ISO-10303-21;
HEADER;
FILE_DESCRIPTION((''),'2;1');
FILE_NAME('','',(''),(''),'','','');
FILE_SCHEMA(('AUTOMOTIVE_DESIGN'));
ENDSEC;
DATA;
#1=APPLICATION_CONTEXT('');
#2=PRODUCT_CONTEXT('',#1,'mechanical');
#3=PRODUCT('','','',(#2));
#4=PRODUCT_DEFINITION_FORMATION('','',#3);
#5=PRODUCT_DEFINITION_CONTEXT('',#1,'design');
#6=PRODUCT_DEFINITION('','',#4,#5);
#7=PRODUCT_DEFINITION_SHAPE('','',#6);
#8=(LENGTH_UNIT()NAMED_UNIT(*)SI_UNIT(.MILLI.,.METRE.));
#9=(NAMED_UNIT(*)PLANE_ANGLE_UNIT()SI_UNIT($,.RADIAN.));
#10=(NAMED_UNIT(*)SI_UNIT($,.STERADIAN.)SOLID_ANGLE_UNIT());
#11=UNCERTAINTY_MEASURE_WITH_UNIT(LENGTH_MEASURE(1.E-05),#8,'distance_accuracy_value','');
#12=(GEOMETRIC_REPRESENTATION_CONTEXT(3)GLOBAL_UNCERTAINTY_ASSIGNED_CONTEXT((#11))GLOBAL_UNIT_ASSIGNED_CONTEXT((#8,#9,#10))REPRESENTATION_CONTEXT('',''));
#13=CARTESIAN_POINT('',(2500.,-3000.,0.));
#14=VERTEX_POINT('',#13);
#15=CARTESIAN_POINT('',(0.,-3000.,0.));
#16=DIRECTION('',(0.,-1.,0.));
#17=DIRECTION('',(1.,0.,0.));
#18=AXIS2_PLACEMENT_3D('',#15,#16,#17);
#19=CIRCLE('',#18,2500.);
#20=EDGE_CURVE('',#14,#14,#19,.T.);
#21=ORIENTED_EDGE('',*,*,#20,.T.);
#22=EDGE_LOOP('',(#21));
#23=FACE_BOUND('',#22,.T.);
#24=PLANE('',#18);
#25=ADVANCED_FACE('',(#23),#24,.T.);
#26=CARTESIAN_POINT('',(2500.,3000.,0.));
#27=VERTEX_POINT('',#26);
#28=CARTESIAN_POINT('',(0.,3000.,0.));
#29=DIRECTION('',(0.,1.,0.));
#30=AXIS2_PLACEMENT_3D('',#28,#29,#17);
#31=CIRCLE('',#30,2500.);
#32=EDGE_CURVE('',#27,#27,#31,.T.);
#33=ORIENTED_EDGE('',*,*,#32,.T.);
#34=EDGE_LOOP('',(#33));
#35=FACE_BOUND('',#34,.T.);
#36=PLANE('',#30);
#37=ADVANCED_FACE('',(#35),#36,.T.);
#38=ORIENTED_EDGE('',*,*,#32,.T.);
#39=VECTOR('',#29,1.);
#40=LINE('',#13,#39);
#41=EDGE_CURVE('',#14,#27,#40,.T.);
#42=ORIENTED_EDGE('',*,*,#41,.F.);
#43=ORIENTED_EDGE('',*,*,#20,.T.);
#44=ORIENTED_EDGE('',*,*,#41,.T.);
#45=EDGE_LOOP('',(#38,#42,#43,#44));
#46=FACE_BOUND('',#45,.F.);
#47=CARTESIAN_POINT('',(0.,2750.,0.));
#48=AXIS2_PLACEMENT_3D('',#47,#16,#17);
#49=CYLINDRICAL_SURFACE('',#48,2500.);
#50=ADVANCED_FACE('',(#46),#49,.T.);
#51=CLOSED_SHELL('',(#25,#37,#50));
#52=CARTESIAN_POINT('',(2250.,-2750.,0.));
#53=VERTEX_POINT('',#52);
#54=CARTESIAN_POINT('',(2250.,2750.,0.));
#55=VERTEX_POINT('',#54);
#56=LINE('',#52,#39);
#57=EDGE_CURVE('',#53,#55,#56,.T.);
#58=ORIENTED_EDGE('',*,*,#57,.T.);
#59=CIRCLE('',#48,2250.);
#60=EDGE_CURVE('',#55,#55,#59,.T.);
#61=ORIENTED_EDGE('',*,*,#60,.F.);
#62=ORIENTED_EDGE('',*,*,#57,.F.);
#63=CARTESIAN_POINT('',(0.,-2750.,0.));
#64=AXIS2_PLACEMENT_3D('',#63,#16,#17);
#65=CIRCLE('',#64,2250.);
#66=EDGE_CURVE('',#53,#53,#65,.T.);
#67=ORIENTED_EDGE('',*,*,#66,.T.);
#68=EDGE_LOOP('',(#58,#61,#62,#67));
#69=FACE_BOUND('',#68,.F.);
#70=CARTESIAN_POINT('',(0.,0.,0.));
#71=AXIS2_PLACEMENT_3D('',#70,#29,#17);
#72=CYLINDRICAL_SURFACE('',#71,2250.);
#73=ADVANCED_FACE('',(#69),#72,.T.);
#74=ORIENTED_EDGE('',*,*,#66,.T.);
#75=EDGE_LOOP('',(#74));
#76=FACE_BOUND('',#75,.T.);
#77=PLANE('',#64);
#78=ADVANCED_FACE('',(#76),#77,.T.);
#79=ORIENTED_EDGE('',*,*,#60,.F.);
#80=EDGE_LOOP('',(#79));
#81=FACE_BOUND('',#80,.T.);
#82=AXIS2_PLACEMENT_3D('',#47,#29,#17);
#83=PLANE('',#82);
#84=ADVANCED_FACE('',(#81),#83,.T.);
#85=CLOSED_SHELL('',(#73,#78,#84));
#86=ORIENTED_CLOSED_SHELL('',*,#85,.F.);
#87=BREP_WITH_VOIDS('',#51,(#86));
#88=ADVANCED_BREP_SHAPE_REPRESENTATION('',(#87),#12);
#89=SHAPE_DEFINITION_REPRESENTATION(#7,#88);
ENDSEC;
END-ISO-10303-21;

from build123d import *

# Parameters (mm, degrees)
SKETCH005_R   = 2500
SKETCH005_R_2 = 2250
PAD003_DEPTH  = 2750
SKETCH006_R   = 2500
PAD004_DEPTH  = 250
SKETCH007_R   = 2500
PAD005_DEPTH  = 250


with BuildPart() as part:
    # Sketch005 → Pad003 (new body, symmetric)
    with BuildSketch(Plane.XZ):
        Circle(SKETCH005_R)
        Circle(SKETCH005_R_2, mode=Mode.SUBTRACT)
    extrude(amount=PAD003_DEPTH, both=True)

    # Sketch006 (on Face4 of Pad003) → Pad004 (join)
    with BuildSketch(Plane.XZ.offset(2750)):
        Circle(SKETCH006_R)
    extrude(amount=PAD004_DEPTH)

    # Sketch007 (on Face1 of Pad004) → Pad005 (join)
    with BuildSketch(Plane(origin=(0, 2750, 0), x_dir=(1, 0, 0), z_dir=(0, 1, 0))):
        Circle(SKETCH007_R)
    extrude(amount=PAD005_DEPTH)


solid = part.part
